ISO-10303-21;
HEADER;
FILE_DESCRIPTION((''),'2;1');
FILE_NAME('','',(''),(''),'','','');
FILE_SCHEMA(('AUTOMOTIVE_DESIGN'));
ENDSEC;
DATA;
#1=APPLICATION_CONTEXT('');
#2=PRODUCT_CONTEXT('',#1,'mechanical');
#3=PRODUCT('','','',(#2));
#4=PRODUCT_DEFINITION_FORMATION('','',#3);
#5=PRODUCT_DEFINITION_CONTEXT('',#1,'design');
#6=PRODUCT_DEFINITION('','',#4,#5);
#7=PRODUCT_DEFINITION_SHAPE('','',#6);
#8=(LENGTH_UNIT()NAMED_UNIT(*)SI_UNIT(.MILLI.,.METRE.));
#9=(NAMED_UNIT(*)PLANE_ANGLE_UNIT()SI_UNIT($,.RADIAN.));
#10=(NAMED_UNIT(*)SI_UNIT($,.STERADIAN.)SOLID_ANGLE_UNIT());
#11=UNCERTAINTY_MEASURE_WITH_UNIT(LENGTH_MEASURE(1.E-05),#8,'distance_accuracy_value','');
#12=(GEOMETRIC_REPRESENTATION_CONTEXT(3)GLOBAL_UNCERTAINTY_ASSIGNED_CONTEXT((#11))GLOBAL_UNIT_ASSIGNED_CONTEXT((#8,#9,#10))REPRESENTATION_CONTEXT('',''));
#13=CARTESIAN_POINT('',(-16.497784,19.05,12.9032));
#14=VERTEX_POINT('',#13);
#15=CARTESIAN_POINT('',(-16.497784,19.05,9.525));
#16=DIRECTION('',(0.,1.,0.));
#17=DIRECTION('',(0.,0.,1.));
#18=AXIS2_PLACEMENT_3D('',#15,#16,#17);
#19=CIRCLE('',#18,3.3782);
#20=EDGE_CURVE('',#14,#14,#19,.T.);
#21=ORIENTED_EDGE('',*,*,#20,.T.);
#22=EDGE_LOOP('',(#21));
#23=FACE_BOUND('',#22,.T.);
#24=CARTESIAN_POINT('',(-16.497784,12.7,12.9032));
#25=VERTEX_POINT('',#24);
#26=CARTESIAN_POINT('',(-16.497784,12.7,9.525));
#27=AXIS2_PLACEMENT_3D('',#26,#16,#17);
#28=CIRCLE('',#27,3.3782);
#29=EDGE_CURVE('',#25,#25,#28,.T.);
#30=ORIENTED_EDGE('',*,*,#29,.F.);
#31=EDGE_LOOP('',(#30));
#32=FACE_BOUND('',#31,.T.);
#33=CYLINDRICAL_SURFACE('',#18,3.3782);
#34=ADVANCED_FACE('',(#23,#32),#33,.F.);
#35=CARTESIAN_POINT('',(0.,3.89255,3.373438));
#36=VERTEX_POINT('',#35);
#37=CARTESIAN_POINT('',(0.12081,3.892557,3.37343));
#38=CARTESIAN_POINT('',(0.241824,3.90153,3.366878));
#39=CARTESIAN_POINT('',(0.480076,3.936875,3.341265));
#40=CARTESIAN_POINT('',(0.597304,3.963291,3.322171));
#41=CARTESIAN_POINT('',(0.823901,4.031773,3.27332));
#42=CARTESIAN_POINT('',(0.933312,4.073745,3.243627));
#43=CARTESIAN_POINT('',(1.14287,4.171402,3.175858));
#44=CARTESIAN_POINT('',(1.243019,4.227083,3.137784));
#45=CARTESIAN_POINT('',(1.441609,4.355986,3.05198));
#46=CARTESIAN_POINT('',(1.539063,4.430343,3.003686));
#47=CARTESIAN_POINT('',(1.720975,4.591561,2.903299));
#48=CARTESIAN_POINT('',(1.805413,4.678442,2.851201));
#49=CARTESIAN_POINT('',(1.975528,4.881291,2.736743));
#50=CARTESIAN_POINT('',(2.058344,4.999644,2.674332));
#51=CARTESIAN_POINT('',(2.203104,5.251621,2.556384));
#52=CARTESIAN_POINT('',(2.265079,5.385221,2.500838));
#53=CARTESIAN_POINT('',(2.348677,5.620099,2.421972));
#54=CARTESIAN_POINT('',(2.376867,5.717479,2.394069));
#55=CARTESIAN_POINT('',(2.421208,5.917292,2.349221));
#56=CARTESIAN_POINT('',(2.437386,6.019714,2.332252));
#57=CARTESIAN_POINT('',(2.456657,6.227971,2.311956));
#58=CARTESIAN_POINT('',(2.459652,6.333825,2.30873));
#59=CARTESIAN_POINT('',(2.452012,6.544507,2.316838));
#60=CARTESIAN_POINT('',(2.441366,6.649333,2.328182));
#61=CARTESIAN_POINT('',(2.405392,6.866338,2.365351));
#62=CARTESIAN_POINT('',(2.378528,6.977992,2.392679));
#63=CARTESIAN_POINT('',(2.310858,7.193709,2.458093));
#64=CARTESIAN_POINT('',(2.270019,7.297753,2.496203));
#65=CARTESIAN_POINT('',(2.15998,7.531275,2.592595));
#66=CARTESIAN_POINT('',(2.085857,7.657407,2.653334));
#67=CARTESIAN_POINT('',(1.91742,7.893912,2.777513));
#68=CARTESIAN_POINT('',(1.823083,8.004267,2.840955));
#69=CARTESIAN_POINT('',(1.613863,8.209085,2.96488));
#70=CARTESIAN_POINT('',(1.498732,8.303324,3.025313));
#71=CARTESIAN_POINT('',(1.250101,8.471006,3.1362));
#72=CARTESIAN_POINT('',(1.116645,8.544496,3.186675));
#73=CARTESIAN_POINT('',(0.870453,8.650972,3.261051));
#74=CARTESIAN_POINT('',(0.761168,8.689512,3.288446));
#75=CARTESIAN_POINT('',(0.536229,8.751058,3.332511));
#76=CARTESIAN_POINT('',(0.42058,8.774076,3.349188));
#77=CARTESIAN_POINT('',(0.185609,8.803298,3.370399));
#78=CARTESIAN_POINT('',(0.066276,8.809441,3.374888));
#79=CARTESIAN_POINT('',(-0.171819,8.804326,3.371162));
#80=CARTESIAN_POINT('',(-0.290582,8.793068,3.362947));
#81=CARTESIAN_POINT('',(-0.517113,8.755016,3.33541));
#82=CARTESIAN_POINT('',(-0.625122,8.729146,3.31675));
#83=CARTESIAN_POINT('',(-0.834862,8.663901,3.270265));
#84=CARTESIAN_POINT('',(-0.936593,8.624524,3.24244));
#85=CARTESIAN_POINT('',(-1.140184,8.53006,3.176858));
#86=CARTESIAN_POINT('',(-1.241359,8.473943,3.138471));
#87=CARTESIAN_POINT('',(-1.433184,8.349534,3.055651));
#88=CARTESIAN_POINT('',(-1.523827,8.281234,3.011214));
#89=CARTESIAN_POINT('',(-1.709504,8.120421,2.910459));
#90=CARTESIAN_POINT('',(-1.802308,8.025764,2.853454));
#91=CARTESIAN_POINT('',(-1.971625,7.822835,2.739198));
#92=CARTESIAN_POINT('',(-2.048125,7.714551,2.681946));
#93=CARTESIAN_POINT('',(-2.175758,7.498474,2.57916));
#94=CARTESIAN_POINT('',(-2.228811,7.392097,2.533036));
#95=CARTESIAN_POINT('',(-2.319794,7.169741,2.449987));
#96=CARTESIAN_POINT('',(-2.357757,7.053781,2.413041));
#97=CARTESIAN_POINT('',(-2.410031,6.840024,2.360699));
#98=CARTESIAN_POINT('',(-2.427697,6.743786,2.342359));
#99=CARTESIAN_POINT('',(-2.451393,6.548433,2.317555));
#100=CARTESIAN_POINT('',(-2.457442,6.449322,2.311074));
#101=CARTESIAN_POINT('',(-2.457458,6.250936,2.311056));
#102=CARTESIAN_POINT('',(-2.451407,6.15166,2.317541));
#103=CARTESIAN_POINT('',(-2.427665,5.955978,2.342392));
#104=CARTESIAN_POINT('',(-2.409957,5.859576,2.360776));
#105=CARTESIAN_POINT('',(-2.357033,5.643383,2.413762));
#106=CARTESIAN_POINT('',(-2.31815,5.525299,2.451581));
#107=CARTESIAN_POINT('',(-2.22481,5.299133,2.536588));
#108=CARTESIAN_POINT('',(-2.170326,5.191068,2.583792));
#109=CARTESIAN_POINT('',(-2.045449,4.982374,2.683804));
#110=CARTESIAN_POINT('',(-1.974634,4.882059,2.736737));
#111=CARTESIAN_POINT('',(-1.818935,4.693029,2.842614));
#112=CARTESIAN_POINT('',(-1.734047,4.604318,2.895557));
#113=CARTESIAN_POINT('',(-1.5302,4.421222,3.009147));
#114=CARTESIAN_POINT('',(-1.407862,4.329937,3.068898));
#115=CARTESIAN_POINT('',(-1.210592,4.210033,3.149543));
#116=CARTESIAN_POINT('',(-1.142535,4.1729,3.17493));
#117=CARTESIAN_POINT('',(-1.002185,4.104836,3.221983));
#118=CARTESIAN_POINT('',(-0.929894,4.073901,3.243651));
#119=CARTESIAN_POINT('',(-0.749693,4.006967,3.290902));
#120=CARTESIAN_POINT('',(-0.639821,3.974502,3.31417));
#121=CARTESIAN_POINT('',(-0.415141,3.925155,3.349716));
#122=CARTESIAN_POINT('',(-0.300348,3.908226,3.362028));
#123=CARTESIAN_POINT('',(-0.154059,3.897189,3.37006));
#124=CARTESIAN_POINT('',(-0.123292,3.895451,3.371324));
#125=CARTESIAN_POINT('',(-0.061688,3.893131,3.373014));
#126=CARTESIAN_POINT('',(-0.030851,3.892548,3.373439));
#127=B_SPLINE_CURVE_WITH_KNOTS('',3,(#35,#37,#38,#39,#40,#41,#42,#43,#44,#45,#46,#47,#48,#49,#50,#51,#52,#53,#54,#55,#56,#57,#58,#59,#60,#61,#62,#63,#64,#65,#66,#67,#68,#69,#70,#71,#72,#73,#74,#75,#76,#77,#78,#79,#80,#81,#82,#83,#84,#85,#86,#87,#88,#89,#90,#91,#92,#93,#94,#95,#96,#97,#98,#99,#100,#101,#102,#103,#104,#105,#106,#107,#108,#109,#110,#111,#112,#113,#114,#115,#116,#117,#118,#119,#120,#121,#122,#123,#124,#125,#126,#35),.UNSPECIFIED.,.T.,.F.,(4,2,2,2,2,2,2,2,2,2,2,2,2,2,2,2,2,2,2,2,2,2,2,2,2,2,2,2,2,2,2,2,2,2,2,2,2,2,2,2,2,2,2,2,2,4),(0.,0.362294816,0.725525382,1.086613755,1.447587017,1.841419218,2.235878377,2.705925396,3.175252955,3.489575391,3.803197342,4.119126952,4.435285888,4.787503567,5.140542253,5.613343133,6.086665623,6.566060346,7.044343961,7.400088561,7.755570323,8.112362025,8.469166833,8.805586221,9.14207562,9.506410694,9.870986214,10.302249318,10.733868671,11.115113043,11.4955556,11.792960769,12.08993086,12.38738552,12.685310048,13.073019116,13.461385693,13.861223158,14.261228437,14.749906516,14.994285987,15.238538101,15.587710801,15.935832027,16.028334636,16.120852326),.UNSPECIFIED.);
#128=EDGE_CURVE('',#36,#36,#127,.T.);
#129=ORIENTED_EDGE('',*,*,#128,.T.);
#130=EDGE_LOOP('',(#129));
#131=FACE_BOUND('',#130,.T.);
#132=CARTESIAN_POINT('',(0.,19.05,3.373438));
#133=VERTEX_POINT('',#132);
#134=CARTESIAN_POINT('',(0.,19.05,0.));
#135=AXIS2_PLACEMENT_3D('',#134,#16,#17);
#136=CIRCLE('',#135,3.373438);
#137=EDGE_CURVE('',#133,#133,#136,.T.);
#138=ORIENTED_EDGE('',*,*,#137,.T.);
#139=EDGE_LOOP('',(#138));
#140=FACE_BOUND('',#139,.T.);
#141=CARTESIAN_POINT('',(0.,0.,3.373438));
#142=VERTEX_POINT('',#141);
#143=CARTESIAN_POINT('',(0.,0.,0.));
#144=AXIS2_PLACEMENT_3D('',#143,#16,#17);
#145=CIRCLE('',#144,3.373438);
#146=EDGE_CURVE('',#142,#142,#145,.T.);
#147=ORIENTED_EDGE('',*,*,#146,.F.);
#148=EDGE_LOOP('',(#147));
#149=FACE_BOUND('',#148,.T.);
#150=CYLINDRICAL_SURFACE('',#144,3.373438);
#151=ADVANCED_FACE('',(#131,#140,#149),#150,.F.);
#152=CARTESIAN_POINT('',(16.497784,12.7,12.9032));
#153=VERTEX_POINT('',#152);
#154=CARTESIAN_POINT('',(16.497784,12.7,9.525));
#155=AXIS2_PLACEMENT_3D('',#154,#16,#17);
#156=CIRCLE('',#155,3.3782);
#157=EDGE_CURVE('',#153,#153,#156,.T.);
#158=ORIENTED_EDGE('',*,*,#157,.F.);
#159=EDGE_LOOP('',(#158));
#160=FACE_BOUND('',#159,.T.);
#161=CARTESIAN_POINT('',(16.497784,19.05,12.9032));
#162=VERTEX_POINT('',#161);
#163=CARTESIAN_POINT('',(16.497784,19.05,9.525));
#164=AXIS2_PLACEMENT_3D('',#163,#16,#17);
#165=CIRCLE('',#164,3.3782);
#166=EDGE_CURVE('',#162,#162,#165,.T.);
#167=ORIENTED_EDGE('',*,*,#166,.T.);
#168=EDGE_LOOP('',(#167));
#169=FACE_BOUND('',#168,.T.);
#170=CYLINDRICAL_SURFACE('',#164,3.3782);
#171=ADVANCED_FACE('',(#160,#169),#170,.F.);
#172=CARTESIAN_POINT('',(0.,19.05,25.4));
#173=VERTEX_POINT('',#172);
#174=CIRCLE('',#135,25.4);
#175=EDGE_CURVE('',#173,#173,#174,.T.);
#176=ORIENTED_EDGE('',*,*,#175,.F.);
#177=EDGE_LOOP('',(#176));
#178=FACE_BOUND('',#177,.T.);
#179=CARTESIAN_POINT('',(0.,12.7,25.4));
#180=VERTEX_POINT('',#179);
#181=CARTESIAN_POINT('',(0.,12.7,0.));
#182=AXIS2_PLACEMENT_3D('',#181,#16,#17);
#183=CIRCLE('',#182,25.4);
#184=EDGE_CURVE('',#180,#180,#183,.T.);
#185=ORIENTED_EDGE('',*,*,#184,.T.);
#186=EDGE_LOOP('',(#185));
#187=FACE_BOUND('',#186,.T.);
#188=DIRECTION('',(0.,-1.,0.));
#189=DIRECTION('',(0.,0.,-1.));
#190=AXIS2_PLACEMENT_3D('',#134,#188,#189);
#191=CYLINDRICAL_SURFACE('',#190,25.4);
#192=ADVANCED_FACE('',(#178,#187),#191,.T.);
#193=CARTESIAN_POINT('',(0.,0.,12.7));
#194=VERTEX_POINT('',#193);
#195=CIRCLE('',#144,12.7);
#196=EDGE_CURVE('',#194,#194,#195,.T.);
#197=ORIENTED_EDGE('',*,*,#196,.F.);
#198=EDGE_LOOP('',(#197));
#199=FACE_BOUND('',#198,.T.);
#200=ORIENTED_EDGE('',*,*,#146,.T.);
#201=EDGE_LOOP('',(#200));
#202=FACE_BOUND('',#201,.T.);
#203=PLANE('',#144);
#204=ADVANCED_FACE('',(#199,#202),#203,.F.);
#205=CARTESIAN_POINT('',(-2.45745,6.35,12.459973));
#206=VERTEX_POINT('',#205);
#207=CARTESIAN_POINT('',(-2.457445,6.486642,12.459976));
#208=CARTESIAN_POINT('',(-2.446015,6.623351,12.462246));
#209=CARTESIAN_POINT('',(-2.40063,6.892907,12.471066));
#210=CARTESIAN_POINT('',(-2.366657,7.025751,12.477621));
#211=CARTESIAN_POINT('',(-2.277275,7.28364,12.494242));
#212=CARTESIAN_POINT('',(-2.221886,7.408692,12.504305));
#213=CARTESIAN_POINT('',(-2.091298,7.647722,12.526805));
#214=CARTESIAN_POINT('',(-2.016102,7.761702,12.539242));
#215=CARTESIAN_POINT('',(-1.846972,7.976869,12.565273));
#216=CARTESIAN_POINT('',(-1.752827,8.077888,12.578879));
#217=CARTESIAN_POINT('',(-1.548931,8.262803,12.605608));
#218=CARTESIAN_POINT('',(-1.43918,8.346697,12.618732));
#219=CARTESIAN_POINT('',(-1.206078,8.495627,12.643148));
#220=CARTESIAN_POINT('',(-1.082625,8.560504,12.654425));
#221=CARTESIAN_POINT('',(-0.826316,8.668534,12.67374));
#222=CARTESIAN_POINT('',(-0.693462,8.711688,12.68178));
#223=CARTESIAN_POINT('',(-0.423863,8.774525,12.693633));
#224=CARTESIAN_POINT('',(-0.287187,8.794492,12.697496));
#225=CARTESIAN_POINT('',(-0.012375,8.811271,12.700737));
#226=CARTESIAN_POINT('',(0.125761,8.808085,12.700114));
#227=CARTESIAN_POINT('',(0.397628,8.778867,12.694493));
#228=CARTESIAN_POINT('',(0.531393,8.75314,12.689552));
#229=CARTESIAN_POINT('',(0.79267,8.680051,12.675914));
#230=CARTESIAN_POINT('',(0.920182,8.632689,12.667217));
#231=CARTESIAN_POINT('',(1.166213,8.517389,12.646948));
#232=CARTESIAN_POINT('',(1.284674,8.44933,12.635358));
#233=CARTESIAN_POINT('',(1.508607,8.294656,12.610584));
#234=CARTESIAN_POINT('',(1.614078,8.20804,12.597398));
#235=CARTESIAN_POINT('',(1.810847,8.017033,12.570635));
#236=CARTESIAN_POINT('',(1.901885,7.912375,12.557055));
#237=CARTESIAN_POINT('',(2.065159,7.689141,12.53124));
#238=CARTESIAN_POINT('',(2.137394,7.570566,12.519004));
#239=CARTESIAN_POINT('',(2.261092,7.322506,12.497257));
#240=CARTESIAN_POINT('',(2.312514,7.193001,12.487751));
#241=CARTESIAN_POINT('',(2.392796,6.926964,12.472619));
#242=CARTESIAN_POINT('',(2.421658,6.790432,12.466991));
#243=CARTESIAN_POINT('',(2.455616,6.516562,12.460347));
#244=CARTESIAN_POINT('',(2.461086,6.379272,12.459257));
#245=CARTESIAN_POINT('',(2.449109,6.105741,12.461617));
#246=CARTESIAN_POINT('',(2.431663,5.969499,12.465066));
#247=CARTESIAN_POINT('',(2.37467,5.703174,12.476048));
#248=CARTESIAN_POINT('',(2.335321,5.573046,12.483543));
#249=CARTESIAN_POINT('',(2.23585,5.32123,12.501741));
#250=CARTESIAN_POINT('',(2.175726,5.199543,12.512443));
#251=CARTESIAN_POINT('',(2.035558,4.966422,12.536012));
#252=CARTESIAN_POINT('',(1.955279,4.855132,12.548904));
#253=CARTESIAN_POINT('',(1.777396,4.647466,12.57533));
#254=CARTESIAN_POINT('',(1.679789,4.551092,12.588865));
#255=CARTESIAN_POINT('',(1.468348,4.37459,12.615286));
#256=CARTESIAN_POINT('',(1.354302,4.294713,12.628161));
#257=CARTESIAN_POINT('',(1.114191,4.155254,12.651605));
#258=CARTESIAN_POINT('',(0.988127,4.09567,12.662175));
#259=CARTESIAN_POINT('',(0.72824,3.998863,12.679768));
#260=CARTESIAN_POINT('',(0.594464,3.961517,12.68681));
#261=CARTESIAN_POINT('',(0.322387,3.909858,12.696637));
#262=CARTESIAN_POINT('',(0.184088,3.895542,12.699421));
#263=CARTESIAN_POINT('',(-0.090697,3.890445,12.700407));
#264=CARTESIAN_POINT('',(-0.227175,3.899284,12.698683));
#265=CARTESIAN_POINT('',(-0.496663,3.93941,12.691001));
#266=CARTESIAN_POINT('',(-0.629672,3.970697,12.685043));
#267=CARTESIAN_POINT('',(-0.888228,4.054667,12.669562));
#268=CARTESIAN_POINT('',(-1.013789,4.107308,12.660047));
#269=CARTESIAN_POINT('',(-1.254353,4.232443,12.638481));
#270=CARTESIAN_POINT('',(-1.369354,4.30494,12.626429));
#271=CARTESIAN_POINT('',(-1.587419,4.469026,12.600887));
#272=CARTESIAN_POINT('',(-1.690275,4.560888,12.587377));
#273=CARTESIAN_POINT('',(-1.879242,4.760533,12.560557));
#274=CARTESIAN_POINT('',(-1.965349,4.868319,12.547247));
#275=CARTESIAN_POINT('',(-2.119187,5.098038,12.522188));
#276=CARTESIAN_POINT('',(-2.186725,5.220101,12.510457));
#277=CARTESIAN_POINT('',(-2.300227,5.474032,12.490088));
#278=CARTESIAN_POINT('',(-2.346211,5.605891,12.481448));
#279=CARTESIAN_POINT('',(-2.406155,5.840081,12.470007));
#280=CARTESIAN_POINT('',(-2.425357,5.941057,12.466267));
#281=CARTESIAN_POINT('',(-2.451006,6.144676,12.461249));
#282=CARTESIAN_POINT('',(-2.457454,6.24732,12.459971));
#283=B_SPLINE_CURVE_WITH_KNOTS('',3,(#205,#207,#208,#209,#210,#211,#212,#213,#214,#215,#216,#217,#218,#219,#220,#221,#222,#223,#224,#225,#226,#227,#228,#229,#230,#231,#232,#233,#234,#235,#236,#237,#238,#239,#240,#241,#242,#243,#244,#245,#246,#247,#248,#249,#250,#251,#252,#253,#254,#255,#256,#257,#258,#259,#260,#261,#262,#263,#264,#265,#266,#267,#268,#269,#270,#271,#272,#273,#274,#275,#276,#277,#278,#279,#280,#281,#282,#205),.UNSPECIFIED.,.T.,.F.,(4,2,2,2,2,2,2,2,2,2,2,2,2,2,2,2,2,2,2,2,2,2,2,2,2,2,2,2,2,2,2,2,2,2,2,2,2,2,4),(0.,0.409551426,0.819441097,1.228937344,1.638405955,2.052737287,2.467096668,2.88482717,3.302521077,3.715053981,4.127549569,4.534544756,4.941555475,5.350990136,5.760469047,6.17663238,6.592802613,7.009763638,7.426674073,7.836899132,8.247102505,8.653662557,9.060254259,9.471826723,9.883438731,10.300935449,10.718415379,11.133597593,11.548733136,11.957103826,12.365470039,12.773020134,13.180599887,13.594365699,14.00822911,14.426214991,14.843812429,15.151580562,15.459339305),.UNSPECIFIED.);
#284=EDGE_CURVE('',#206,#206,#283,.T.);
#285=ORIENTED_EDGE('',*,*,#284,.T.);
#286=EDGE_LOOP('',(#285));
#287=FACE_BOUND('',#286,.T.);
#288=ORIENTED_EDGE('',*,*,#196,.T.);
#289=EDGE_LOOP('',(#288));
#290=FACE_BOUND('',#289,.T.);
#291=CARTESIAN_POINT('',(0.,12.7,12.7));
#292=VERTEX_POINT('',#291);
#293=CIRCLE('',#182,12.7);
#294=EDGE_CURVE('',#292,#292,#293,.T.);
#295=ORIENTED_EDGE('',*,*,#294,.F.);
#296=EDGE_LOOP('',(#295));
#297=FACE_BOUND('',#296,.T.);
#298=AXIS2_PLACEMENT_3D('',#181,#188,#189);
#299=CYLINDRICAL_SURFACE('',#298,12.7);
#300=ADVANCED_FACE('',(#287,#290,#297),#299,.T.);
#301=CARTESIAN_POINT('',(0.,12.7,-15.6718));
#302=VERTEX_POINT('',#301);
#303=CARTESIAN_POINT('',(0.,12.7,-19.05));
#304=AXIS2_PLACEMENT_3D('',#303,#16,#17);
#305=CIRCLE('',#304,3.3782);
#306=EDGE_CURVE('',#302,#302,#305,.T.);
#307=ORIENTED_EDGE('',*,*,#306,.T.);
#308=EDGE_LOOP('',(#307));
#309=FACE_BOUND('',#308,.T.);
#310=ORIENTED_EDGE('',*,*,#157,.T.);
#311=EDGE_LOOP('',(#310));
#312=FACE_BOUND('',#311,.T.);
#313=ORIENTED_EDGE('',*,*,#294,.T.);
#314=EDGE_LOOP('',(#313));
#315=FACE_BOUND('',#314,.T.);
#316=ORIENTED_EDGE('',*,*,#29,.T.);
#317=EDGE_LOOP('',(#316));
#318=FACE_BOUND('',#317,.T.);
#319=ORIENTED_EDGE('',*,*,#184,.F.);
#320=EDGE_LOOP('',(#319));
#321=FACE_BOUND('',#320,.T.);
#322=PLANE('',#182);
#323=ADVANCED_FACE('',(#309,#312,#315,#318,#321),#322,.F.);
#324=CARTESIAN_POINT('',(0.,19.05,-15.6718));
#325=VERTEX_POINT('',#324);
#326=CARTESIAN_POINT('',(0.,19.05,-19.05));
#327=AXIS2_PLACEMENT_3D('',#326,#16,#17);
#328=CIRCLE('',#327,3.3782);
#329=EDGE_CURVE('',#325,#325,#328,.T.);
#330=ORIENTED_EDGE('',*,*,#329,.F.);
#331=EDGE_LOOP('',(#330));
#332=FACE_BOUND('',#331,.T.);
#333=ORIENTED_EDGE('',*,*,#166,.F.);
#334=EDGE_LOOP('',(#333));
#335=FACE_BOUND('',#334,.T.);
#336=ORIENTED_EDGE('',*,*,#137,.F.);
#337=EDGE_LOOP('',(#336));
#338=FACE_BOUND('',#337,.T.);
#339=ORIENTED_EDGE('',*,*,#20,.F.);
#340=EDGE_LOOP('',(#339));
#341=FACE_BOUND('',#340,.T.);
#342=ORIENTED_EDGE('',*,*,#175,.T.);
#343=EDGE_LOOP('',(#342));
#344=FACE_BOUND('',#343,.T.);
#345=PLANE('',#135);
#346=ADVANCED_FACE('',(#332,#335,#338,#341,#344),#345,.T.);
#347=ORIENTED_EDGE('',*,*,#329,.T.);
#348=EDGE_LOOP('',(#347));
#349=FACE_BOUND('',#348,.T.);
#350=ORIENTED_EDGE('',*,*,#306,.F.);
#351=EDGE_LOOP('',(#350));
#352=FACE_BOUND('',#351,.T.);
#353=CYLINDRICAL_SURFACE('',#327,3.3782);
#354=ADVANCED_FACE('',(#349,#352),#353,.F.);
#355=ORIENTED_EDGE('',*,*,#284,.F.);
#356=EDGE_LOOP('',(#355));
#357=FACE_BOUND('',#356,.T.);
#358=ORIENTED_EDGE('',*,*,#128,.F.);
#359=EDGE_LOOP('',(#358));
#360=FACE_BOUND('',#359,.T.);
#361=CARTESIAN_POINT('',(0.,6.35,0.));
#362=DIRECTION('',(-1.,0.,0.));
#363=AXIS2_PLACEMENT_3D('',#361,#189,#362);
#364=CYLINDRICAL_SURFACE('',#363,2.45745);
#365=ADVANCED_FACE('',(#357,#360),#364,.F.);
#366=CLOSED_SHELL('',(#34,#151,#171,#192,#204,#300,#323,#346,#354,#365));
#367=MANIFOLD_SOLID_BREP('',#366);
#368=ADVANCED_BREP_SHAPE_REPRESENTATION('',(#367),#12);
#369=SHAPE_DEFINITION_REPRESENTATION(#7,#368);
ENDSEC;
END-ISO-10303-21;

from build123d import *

# Parameters (mm, degrees)
SKETCH1_R                    = 12.7
BOSS_EXTRUDE1_DEPTH          = 12.7
SKETCH2_R                    = 25.4
BOSS_EXTRUDE2_DEPTH          = 6.35
SKETCH3_R                    = 3.3734375
CUT_EXTRUDE1_DEPTH           = 20.05
H_0_266_DIAMETER_HOLE1_D     = 6.7564
H_0_266_DIAMETER_HOLE1_DEPTH = 25.4
H_0_266_DIAMETER_HOLE1_TIP   = 2.029827343


with BuildPart() as part:
    # Sketch1 → Boss-Extrude1 (new body)
    with BuildSketch(Plane(origin=(0, 0, 0), x_dir=(1, 0, 0), z_dir=(0, 1, 0))):
        Circle(SKETCH1_R)
    extrude(amount=BOSS_EXTRUDE1_DEPTH)

    # Sketch2 → Boss-Extrude2 (add)
    with BuildSketch(Plane(origin=(0, 12.7, 0), x_dir=(1, 0, 0), z_dir=(0, 1, 0))):
        Circle(SKETCH2_R)
    extrude(amount=BOSS_EXTRUDE2_DEPTH)

    # Sketch3 → Cut-Extrude1 (cut, through all)
    with BuildSketch(Plane(origin=(0, 19.05, 0), x_dir=(1, 0, 0), z_dir=(0, 1, 0))):
        Circle(SKETCH3_R)
    extrude(amount=-CUT_EXTRUDE1_DEPTH, mode=Mode.SUBTRACT)

    # H (0.266) Diameter Hole1
    with Locations(Plane(origin=(0, 19.05, 0), x_dir=(1, 0, 0), z_dir=(0, 1, 0))):
        with Locations((0, 19.05), (-16.497783942, -9.525), (16.497783942, -9.525)):
            Hole(H_0_266_DIAMETER_HOLE1_D / 2, depth=H_0_266_DIAMETER_HOLE1_DEPTH)
            with Locations((0, 0, -(H_0_266_DIAMETER_HOLE1_DEPTH + H_0_266_DIAMETER_HOLE1_TIP / 2))):  # 118° drill point
                Cone(0, H_0_266_DIAMETER_HOLE1_D / 2, H_0_266_DIAMETER_HOLE1_TIP, mode=Mode.SUBTRACT)

    # Sketch8 → #10 (0.1935) Diameter Hole1 (revolve, cut)
    with BuildSketch(Plane(origin=(0, 6.35, 0), x_dir=(0, 1, 0), z_dir=(1, 0, 0))):
        Polygon((0, 0), (0, 26.876584928), (2.45745, 25.4), (2.45745, 0), align=None)
    revolve(axis=Axis((0, 6.35, -6.35), (0, 0, 1)), mode=Mode.SUBTRACT)


solid = part.part
